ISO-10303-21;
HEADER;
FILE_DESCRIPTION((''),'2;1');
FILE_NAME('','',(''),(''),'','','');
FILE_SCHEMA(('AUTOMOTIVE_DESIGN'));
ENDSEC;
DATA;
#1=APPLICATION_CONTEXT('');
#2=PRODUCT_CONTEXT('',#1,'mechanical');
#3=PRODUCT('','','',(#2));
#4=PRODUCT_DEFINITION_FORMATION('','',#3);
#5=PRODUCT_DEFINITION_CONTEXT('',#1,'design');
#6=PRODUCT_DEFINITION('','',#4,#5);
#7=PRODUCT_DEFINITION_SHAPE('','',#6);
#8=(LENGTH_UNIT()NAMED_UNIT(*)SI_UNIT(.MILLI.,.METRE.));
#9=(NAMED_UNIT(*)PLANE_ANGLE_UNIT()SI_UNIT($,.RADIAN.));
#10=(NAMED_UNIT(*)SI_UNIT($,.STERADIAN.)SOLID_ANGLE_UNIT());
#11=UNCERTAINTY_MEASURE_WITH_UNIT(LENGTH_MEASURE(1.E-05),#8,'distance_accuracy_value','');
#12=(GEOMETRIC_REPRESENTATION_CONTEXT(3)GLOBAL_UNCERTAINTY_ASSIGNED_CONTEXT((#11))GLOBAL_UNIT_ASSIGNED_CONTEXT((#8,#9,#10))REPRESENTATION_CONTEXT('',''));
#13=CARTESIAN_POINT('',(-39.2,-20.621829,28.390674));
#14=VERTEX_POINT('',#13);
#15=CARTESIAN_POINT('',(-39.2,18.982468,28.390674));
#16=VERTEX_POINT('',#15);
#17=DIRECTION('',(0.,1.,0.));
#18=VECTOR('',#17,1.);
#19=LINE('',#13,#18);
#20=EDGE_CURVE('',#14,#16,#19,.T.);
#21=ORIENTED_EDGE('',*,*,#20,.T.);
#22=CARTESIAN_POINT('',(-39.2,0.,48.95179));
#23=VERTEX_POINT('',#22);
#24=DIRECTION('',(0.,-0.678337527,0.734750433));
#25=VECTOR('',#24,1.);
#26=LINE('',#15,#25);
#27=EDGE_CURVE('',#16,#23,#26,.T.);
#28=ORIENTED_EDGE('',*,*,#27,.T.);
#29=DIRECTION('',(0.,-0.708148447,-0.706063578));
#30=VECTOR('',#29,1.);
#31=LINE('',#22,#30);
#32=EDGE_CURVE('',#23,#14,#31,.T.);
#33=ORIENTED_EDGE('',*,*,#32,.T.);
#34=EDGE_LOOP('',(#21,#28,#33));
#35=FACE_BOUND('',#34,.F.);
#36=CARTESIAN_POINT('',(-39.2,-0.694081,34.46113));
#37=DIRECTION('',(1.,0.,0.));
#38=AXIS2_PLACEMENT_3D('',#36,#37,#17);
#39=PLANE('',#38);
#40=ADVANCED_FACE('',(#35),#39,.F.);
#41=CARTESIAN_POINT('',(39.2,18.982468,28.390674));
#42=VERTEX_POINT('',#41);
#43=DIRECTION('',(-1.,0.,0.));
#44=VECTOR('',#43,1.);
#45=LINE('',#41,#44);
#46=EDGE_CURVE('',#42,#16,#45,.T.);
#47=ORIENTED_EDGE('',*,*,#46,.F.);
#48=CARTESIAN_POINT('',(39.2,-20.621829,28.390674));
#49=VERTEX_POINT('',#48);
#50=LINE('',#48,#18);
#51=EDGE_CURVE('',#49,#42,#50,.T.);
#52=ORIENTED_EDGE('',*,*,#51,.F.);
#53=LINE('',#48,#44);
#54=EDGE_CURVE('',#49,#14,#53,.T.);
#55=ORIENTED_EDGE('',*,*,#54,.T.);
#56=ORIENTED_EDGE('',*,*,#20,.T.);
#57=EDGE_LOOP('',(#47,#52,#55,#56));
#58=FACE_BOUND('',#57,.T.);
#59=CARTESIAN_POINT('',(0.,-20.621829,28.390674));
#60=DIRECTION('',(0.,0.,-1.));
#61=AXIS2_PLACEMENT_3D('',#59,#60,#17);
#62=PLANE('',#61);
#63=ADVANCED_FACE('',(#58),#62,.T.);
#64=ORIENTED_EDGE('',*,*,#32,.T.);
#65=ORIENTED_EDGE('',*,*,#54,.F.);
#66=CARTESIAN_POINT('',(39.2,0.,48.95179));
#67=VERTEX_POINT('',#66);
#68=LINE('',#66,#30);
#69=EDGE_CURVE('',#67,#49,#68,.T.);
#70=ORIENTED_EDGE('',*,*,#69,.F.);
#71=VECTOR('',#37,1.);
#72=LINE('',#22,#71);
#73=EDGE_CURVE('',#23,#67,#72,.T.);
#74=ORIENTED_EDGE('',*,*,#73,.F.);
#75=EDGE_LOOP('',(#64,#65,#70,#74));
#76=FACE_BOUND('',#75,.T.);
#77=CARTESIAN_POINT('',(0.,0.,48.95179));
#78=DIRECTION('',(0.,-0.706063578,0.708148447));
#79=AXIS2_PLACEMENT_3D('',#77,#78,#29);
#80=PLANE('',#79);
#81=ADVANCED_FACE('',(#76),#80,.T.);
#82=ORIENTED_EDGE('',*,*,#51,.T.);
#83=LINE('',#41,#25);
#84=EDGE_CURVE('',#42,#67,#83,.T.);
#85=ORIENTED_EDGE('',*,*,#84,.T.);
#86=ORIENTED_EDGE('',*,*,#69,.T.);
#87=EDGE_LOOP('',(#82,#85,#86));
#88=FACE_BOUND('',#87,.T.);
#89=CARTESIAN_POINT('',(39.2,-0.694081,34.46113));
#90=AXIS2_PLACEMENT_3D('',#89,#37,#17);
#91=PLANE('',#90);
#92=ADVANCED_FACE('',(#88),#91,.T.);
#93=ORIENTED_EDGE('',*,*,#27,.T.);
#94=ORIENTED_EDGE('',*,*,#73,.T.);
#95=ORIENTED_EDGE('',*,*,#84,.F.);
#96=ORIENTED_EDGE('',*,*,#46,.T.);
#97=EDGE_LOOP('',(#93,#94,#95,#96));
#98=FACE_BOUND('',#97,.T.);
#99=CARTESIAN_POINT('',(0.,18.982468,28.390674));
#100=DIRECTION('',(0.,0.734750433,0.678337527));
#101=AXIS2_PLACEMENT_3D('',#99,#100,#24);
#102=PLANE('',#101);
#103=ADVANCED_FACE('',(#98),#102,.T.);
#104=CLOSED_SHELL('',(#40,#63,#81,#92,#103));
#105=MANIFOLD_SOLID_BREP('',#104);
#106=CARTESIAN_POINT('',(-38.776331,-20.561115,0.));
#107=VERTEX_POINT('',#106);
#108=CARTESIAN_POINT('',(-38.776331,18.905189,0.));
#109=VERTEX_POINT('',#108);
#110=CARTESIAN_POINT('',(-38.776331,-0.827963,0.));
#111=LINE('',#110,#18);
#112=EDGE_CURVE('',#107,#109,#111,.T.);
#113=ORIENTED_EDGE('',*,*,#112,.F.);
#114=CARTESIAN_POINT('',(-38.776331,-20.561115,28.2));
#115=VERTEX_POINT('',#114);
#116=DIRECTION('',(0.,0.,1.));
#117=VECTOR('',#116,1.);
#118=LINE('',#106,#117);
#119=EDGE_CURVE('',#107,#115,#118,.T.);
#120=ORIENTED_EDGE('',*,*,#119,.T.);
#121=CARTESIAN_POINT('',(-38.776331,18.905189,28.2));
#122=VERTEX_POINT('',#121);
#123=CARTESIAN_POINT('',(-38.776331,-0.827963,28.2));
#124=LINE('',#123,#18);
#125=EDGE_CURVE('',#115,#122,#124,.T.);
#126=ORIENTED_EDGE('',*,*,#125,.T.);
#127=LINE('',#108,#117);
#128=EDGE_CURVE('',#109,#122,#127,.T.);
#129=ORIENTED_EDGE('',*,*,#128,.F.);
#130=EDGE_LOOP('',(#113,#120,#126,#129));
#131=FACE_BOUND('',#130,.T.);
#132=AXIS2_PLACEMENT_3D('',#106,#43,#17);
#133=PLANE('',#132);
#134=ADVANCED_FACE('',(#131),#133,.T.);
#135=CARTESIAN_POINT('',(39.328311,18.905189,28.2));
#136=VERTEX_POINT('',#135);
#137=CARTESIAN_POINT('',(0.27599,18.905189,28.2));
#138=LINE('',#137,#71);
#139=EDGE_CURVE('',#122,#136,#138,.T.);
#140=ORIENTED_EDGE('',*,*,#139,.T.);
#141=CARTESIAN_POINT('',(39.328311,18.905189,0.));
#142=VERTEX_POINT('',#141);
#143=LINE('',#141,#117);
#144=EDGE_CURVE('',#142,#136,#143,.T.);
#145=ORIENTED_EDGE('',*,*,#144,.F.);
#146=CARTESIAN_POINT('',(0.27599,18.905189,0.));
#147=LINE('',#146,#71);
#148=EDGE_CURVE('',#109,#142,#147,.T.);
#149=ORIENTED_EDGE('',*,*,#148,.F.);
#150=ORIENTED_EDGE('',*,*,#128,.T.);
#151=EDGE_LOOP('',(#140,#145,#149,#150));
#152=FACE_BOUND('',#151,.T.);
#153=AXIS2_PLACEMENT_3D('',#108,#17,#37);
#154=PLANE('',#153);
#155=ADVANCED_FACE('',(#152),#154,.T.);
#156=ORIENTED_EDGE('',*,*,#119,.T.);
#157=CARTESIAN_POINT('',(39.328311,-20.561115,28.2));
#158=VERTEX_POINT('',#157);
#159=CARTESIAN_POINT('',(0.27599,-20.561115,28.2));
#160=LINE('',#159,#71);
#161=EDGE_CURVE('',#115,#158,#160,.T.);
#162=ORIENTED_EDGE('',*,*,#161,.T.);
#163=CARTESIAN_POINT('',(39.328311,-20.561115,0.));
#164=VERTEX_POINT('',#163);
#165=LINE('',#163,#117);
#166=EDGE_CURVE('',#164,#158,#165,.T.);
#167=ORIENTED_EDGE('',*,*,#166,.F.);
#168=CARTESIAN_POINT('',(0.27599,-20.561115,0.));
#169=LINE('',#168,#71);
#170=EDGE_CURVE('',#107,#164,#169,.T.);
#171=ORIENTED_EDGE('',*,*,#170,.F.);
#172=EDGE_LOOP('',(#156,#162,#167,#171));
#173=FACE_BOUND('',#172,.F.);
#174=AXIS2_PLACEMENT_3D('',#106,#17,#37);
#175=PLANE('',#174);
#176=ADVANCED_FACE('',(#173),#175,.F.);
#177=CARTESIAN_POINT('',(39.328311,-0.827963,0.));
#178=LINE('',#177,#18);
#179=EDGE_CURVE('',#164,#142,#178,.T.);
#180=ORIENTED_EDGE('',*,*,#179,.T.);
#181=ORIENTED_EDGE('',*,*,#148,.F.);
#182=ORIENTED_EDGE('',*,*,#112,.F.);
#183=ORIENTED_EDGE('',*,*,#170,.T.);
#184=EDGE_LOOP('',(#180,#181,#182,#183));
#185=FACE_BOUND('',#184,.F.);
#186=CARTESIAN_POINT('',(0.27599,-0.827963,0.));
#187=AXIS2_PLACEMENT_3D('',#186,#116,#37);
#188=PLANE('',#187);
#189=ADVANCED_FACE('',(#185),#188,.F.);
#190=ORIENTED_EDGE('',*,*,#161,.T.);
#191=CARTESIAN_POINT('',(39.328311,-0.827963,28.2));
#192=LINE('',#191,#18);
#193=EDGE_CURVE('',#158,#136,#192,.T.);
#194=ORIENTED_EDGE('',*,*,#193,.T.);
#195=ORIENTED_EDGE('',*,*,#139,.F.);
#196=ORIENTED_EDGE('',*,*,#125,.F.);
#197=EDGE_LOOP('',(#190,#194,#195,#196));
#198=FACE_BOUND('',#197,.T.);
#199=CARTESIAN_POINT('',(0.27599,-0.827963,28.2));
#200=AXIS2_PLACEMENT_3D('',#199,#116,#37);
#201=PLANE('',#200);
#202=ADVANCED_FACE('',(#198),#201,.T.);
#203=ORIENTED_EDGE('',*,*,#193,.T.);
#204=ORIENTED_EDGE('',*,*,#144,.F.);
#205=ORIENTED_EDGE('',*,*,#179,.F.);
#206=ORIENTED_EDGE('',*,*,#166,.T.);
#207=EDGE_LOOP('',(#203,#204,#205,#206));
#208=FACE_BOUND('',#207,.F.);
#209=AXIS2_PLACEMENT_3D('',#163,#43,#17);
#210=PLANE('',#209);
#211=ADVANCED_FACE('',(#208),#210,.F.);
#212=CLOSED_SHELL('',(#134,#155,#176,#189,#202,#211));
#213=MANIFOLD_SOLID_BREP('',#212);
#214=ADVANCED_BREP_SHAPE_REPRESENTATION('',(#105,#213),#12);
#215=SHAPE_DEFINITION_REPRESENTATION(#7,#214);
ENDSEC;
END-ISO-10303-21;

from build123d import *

# Parameters (mm, degrees)
F0_W     = 78.104642
F0_H     = 39.466305
F1_DEPTH = 28.2
F3_DEPTH = 39.2


with BuildPart() as f1:
    # F0 (on Top) → F1 (new body)
    with BuildSketch(Plane.XY):
        with Locations((0.27599, -0.827963)):
            Rectangle(F0_W, F0_H)
    extrude(amount=F1_DEPTH)


with BuildPart() as f3:
    # F2 (on Right) → F3 (new body, symmetric)
    with BuildSketch(Plane.YZ):
        Polygon((18.982468, 28.390674), (0, 48.95179), (-20.621829, 28.390674), align=None)
    extrude(amount=F3_DEPTH, both=True)


solid = Compound([f1.part, f3.part])
